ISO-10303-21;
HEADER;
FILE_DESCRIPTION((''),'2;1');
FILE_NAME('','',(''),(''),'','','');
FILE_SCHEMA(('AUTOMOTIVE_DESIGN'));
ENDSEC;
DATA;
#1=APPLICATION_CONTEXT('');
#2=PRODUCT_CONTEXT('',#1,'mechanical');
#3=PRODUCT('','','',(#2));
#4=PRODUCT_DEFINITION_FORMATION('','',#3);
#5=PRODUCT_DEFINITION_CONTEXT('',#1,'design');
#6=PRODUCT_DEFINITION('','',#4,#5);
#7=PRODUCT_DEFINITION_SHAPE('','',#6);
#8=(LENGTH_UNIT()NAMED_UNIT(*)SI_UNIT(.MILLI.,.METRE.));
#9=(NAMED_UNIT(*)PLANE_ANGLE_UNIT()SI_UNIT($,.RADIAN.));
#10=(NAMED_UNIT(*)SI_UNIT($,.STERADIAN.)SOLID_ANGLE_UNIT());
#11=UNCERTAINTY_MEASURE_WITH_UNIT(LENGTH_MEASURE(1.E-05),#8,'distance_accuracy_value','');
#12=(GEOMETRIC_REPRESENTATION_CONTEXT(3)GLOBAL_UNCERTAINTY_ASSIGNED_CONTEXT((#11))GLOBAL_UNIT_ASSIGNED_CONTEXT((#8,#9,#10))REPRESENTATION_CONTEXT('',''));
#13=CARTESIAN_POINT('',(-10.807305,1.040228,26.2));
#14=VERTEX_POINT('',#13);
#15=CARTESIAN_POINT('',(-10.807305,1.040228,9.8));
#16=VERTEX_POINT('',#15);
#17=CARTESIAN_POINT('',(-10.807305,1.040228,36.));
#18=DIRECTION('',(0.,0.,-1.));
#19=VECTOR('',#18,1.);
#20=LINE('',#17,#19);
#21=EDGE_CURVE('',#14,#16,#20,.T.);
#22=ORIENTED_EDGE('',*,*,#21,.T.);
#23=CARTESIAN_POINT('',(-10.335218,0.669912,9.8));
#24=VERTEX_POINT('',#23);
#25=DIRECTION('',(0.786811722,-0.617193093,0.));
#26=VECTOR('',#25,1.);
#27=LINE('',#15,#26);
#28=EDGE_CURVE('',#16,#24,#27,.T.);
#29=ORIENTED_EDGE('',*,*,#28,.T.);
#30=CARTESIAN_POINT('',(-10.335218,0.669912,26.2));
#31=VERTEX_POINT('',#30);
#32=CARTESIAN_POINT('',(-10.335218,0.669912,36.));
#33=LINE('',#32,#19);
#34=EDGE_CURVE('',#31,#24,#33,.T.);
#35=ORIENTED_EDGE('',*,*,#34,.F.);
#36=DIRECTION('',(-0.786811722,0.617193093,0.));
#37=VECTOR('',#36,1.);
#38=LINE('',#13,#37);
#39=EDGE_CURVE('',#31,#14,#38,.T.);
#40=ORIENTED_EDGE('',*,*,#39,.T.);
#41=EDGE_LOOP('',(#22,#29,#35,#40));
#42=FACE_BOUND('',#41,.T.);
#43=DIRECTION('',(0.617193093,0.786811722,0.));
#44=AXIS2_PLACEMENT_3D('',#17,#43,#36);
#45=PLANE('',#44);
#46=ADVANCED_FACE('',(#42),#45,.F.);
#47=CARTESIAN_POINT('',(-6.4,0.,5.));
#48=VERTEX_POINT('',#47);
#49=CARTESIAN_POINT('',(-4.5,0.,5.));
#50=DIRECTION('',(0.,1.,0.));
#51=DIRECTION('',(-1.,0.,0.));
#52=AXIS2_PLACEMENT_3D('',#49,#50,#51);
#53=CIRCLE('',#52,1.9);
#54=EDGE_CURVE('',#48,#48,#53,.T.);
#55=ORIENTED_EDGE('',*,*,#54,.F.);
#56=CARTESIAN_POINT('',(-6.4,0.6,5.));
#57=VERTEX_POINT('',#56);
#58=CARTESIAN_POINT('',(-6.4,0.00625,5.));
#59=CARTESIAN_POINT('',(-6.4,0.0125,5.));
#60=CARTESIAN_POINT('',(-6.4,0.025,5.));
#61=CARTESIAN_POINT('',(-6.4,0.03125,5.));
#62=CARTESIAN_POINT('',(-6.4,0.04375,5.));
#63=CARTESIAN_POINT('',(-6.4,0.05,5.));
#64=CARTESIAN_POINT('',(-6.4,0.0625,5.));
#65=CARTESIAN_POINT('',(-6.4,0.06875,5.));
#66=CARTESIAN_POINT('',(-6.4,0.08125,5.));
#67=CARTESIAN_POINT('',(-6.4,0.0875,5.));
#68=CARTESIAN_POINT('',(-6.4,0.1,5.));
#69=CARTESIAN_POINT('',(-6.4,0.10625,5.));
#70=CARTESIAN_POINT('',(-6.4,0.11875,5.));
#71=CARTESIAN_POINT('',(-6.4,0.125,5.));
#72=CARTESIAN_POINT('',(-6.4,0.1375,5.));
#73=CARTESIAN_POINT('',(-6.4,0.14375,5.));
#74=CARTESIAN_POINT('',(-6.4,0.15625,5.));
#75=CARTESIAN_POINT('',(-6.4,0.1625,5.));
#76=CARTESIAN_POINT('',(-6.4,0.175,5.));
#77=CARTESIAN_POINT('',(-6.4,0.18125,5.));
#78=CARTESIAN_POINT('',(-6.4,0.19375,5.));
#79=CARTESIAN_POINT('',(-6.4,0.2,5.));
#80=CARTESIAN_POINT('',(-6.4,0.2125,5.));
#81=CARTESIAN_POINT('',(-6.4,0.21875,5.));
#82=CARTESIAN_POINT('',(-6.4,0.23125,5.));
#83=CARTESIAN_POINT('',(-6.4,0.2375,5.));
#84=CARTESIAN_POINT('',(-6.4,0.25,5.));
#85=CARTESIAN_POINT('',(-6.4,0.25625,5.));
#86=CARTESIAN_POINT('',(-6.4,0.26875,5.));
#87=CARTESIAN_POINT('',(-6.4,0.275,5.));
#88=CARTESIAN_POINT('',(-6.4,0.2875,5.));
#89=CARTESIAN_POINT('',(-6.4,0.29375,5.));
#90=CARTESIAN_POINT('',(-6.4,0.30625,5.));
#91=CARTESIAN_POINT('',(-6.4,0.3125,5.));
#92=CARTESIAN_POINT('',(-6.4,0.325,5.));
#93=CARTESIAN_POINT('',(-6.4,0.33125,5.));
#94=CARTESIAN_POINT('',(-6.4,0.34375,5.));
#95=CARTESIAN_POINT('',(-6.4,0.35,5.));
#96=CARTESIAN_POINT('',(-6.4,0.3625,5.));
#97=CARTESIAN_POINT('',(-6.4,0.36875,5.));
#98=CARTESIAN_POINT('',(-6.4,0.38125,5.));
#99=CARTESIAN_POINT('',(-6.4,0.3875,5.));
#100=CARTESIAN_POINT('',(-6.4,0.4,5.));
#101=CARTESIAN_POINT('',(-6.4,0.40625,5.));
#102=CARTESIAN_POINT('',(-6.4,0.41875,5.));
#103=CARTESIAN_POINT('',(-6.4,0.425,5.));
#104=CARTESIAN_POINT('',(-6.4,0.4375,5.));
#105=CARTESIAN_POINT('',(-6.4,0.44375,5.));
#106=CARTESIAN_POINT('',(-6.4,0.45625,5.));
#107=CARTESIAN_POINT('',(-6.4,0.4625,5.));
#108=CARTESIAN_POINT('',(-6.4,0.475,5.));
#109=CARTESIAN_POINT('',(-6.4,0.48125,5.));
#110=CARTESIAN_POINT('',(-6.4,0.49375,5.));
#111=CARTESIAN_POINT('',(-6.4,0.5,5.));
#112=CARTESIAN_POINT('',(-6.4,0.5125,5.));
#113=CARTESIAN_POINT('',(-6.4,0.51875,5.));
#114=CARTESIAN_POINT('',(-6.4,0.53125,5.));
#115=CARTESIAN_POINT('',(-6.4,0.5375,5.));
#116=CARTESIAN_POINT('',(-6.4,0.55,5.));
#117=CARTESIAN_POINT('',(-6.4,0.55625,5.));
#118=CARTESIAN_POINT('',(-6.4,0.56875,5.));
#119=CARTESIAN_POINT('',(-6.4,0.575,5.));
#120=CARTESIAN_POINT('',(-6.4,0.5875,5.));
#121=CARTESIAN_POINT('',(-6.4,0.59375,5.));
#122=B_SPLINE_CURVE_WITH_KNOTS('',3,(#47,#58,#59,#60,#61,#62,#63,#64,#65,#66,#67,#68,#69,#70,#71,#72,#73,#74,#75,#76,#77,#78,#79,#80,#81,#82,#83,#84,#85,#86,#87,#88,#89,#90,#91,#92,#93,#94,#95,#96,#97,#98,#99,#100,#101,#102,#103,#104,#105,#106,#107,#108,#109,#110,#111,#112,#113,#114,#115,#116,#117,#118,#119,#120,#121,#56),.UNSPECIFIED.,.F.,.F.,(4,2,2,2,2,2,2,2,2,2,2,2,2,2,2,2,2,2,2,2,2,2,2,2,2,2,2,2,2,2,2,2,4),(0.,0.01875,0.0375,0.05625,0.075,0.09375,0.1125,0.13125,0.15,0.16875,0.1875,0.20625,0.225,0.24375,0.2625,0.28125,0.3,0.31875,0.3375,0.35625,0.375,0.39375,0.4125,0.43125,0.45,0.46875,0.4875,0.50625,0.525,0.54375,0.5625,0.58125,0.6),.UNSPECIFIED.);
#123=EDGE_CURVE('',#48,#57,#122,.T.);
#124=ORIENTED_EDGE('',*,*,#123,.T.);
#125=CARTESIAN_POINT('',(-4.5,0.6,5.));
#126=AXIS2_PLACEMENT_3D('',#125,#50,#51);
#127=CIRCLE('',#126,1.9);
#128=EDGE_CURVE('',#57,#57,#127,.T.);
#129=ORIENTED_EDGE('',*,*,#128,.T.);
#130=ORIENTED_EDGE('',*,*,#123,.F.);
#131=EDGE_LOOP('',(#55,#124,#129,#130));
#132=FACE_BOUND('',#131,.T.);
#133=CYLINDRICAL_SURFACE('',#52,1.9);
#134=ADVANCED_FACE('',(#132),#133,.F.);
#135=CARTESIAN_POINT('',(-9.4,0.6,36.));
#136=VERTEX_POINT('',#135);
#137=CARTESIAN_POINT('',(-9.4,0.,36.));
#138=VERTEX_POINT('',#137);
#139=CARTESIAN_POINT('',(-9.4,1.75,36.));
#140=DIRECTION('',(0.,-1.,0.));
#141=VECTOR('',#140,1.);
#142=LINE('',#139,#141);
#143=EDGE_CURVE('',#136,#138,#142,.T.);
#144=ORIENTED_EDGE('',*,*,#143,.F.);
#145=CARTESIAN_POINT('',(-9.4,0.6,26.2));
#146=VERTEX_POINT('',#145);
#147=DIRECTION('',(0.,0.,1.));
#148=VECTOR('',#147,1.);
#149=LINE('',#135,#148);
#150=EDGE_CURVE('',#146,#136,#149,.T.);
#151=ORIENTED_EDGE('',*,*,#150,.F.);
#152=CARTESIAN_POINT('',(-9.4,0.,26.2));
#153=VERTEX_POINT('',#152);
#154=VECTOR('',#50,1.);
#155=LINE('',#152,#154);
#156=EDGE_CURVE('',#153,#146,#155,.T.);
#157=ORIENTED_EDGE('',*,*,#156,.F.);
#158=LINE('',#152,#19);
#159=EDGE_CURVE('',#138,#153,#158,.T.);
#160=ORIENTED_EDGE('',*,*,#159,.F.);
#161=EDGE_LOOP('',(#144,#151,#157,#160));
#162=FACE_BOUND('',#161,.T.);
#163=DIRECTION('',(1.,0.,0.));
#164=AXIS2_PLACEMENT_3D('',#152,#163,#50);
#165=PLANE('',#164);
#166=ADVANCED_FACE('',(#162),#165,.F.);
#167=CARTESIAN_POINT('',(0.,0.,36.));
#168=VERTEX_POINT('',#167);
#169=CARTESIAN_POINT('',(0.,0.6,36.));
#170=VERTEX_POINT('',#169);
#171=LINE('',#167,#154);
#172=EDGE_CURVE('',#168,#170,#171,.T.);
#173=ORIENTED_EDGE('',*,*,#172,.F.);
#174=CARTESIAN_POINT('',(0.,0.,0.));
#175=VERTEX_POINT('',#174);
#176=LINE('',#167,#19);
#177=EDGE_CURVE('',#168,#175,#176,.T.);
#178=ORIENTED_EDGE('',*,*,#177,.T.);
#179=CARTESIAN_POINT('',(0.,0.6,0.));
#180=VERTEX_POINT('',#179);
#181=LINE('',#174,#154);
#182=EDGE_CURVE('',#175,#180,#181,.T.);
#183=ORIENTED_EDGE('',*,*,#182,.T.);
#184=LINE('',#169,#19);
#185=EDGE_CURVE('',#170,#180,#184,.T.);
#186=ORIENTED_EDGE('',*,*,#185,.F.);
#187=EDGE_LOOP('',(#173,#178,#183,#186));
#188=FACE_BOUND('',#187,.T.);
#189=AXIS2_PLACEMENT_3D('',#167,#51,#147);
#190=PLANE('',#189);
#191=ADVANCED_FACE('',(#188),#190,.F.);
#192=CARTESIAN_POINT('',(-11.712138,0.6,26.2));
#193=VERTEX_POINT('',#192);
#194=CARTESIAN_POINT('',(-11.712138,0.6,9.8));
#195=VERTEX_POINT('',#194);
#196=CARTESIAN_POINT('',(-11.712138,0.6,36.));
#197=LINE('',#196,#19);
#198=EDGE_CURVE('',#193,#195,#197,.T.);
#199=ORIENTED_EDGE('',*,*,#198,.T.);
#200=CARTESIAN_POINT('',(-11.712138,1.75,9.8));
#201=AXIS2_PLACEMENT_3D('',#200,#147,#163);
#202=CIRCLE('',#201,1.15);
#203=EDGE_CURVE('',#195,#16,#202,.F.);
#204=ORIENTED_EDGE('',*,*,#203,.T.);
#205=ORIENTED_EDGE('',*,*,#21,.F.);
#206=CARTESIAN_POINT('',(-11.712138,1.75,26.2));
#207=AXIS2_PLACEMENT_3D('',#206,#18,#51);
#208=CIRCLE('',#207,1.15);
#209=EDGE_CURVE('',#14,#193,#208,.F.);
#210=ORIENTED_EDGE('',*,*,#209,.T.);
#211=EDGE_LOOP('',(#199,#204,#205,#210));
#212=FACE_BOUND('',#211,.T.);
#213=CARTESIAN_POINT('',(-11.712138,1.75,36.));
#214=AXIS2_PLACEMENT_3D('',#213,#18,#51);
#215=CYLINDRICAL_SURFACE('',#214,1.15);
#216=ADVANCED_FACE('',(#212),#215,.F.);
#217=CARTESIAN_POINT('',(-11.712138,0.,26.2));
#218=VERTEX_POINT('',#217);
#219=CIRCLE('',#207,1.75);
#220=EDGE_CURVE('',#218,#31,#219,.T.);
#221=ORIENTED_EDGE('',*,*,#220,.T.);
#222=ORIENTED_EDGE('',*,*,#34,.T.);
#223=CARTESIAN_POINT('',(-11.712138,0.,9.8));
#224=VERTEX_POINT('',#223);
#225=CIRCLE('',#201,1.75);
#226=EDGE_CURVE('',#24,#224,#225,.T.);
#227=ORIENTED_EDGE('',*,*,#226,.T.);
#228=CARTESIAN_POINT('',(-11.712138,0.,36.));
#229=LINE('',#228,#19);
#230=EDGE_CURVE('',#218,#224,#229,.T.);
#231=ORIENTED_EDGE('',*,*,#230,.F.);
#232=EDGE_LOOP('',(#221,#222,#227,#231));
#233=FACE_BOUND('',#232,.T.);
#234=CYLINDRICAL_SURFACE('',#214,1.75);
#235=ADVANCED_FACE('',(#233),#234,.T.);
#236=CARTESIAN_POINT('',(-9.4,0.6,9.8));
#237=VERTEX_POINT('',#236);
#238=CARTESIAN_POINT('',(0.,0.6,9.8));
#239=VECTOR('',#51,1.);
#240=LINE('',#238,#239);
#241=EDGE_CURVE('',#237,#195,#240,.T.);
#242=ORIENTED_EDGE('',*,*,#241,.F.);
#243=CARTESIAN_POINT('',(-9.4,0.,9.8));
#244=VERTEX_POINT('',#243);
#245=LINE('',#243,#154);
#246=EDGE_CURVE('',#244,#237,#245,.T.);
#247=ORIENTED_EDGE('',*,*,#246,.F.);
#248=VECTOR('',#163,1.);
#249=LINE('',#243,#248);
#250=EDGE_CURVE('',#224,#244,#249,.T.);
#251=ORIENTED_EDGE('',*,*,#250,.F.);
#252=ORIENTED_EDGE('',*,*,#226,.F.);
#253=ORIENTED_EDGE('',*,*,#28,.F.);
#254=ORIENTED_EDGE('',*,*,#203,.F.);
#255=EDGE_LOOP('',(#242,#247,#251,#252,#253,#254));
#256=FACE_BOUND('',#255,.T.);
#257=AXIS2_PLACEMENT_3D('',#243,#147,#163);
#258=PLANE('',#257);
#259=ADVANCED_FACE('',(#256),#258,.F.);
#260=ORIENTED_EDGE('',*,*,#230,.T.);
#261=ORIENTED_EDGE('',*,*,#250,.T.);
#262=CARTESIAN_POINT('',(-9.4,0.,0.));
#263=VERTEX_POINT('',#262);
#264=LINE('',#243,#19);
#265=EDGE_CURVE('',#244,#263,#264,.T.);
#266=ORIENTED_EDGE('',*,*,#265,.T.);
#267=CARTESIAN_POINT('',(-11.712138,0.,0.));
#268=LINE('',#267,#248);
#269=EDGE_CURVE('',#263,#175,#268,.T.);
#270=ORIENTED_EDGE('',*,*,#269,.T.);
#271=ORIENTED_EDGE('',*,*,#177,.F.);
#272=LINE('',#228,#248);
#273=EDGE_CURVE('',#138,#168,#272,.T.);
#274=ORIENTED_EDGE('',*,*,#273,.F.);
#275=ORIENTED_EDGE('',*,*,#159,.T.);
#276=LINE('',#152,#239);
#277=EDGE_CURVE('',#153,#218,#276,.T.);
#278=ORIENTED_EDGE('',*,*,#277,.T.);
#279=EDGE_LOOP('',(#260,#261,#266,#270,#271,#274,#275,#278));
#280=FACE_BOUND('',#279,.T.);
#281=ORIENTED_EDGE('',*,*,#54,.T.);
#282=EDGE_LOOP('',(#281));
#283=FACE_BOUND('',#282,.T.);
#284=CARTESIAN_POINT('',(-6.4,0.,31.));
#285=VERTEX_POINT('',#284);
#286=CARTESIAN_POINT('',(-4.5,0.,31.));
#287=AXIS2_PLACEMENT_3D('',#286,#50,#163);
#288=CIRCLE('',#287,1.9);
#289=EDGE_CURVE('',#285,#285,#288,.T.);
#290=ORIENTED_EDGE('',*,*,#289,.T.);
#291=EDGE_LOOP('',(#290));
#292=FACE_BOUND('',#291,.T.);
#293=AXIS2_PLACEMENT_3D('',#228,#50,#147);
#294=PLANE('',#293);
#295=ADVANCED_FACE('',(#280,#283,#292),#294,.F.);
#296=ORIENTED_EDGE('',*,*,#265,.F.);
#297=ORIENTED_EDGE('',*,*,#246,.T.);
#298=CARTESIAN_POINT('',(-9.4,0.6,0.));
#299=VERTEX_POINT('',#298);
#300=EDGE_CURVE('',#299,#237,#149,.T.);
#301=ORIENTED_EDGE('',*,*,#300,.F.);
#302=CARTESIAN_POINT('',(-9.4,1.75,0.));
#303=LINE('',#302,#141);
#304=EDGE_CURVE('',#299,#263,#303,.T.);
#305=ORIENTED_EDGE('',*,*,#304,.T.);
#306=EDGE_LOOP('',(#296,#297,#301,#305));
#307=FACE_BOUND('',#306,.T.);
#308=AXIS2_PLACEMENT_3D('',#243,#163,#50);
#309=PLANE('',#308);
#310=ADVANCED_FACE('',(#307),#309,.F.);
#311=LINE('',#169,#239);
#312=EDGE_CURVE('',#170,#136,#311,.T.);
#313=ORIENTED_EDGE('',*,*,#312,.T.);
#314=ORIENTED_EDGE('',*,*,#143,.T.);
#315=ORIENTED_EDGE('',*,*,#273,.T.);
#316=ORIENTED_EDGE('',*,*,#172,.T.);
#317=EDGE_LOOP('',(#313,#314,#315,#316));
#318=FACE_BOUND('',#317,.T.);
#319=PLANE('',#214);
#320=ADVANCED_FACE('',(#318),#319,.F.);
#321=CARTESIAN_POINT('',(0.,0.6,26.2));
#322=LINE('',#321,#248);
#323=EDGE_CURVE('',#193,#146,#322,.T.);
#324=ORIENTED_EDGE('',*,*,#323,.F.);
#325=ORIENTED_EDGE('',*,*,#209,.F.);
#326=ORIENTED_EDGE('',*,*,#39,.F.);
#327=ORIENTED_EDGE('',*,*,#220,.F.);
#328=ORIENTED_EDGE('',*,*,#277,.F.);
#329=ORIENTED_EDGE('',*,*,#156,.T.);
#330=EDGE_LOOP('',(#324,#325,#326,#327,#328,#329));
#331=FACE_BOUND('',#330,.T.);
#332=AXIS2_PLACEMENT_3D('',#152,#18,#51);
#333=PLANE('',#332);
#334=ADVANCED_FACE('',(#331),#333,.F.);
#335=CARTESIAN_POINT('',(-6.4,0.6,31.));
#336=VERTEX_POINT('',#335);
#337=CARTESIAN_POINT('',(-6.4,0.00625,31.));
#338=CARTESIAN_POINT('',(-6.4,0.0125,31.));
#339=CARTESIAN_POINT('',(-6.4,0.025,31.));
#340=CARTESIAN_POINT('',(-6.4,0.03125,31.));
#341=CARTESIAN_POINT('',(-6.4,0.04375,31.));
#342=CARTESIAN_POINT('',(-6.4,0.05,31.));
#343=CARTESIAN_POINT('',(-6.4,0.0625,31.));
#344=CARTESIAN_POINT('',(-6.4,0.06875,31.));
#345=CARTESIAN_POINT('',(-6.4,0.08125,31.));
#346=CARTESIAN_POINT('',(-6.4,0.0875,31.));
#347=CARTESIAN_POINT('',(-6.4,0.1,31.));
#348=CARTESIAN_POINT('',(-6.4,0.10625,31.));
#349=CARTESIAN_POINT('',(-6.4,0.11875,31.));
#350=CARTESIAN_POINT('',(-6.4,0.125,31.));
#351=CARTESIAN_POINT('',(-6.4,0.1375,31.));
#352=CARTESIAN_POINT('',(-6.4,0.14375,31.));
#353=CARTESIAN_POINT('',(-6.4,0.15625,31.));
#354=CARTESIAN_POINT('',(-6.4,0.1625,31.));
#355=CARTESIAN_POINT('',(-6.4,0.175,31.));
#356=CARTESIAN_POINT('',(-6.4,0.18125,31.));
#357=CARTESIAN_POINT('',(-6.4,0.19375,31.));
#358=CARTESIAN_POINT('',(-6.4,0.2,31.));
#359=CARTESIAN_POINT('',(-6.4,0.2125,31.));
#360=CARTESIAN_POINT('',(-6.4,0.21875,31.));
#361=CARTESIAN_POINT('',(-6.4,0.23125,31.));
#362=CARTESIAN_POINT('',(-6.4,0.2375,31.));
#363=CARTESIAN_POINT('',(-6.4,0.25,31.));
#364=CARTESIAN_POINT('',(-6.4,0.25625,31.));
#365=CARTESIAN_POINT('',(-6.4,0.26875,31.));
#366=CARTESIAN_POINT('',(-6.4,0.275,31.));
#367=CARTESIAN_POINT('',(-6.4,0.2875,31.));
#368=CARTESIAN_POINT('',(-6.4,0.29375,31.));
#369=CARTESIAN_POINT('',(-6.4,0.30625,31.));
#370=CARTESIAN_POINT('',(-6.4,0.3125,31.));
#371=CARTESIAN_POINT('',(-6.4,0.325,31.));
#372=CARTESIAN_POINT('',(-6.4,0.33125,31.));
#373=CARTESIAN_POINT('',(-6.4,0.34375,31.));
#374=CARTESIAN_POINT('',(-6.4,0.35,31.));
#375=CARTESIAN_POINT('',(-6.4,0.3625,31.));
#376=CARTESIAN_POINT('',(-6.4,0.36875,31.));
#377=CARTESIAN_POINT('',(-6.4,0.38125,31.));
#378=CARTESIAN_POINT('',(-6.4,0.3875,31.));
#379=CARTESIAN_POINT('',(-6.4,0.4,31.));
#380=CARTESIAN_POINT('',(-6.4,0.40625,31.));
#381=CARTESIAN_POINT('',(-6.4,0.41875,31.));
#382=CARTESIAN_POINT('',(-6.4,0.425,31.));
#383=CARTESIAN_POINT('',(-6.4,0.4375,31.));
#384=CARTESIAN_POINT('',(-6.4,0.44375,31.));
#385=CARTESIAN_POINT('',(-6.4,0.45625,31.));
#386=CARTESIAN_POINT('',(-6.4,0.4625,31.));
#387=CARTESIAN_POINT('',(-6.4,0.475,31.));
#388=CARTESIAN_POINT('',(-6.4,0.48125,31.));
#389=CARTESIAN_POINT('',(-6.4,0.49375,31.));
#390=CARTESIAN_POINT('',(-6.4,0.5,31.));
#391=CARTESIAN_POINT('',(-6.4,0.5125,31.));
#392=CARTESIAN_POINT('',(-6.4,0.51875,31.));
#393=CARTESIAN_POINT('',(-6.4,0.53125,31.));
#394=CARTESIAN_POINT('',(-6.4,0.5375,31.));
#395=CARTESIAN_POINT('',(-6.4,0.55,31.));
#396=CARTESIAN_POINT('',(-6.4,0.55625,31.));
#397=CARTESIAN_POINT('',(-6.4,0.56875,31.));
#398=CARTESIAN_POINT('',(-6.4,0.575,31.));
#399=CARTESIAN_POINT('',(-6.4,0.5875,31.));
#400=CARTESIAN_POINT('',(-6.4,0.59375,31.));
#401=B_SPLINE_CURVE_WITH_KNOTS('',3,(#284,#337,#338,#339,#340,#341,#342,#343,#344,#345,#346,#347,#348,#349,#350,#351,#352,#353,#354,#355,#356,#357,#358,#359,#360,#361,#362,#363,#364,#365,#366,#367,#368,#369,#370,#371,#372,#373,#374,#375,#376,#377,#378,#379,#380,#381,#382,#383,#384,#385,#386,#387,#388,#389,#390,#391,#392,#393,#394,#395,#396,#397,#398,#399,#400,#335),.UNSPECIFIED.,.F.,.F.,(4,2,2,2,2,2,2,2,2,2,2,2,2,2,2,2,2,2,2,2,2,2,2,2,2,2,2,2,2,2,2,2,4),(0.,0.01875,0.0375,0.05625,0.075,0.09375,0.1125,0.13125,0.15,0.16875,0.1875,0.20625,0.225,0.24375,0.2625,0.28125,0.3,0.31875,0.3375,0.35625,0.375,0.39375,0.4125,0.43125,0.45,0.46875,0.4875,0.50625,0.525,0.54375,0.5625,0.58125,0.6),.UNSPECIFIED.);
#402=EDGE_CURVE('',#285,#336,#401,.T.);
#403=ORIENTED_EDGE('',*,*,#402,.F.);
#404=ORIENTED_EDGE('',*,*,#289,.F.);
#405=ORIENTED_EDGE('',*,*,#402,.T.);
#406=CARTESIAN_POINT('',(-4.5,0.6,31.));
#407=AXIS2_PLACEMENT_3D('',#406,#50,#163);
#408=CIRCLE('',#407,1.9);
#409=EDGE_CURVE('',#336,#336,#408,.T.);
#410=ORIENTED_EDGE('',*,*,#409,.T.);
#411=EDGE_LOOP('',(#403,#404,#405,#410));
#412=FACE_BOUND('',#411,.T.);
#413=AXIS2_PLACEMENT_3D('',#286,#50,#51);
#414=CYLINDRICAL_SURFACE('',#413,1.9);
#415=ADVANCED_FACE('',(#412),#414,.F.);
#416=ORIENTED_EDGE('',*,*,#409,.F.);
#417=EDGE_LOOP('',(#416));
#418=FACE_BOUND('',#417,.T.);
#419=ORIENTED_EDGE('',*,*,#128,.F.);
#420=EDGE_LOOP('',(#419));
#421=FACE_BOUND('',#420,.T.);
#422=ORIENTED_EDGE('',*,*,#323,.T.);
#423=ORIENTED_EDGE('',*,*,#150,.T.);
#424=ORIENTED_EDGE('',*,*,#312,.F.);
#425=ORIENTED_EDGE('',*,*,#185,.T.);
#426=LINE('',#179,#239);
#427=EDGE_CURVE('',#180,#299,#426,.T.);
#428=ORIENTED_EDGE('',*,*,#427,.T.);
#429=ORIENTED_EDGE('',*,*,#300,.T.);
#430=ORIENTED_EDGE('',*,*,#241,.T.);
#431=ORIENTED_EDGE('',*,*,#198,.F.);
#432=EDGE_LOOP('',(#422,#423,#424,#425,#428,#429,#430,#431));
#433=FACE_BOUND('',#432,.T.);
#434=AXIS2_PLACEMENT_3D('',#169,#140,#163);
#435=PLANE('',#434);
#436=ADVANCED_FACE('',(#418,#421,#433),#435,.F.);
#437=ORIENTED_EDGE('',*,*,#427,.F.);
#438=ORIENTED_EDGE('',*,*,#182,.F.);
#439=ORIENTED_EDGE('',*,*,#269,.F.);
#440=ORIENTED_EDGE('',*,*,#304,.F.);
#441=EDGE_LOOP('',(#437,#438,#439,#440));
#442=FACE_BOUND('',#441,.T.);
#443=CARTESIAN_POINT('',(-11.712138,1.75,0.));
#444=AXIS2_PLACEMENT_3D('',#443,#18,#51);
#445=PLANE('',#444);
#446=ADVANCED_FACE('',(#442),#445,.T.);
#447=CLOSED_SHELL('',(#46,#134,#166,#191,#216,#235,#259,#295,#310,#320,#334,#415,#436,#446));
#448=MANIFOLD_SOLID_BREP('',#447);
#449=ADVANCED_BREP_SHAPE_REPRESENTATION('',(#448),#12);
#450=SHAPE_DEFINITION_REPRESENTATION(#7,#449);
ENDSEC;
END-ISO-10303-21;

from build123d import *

# Parameters (mm, degrees)
BOSS_EXTRUDE1_DEPTH     = 36
SKETCH2_R               = 1.9
CUT_EXTRUDE1_DEPTH      = 39.543989963
CUT_EXTRUDE2_DEPTH      = 39.543989963
CUT_EXTRUDE2_DEPTH_BACK = 39.543989963
SKETCH3_W               = 6.778348146
SKETCH3_H               = 10.807071142
SKETCH3_W_2             = 8.880524156
SKETCH3_H_2             = 10.732304286


with BuildPart() as part:
    # Sketch1 → Boss-Extrude1 (new body)
    with BuildSketch(Plane.XY):
        with BuildLine():
            Line((0, 0), (0, 0.6))
            Line((0, 0.6), (-11.712138102, 0.6))
            ThreePointArc((-11.712138102, 0.6), (-12.215259426, 2.784102961), (-10.807304622, 1.040227943))
            Line((-10.807304622, 1.040227943), (-10.335217589, 0.669912086))
            ThreePointArc((-10.335217589, 0.669912086), (-12.477757508, 3.32363494), (-11.712138102, 0))
            Line((-11.712138102, 0), (0, 0))
        make_face()
    extrude(amount=BOSS_EXTRUDE1_DEPTH)

    # Sketch2 → Cut-Extrude1 (cut, through all)
    with BuildSketch(Plane(origin=(0, 0.6, 0), x_dir=(1, 0, 0), z_dir=(0, 1, 0))):
        with Locations(Location((-4.5, -5, 0), (0, 0, 180))):
            Circle(SKETCH2_R)
        with Locations(Location((-4.5, -31, 0), (0, 0, 180))):
            Circle(SKETCH2_R)
    extrude(amount=-CUT_EXTRUDE1_DEPTH, mode=Mode.SUBTRACT)

    # Sketch3 → Cut-Extrude2 (cut, two sides: drawn at the far end of the back side and taken through both)
    with BuildSketch(Plane(origin=(0, 0.6, 0), x_dir=(1, 0, 0), z_dir=(0, 1, 0)).offset(-CUT_EXTRUDE2_DEPTH_BACK)):
        with Locations((-12.789174073, -4.396464429)):
            Rectangle(SKETCH3_W, SKETCH3_H)
        with Locations((-13.840262078, -31.566152143)):
            Rectangle(SKETCH3_W_2, SKETCH3_H_2)
    extrude(amount=CUT_EXTRUDE2_DEPTH + CUT_EXTRUDE2_DEPTH_BACK, mode=Mode.SUBTRACT)


solid = part.part
